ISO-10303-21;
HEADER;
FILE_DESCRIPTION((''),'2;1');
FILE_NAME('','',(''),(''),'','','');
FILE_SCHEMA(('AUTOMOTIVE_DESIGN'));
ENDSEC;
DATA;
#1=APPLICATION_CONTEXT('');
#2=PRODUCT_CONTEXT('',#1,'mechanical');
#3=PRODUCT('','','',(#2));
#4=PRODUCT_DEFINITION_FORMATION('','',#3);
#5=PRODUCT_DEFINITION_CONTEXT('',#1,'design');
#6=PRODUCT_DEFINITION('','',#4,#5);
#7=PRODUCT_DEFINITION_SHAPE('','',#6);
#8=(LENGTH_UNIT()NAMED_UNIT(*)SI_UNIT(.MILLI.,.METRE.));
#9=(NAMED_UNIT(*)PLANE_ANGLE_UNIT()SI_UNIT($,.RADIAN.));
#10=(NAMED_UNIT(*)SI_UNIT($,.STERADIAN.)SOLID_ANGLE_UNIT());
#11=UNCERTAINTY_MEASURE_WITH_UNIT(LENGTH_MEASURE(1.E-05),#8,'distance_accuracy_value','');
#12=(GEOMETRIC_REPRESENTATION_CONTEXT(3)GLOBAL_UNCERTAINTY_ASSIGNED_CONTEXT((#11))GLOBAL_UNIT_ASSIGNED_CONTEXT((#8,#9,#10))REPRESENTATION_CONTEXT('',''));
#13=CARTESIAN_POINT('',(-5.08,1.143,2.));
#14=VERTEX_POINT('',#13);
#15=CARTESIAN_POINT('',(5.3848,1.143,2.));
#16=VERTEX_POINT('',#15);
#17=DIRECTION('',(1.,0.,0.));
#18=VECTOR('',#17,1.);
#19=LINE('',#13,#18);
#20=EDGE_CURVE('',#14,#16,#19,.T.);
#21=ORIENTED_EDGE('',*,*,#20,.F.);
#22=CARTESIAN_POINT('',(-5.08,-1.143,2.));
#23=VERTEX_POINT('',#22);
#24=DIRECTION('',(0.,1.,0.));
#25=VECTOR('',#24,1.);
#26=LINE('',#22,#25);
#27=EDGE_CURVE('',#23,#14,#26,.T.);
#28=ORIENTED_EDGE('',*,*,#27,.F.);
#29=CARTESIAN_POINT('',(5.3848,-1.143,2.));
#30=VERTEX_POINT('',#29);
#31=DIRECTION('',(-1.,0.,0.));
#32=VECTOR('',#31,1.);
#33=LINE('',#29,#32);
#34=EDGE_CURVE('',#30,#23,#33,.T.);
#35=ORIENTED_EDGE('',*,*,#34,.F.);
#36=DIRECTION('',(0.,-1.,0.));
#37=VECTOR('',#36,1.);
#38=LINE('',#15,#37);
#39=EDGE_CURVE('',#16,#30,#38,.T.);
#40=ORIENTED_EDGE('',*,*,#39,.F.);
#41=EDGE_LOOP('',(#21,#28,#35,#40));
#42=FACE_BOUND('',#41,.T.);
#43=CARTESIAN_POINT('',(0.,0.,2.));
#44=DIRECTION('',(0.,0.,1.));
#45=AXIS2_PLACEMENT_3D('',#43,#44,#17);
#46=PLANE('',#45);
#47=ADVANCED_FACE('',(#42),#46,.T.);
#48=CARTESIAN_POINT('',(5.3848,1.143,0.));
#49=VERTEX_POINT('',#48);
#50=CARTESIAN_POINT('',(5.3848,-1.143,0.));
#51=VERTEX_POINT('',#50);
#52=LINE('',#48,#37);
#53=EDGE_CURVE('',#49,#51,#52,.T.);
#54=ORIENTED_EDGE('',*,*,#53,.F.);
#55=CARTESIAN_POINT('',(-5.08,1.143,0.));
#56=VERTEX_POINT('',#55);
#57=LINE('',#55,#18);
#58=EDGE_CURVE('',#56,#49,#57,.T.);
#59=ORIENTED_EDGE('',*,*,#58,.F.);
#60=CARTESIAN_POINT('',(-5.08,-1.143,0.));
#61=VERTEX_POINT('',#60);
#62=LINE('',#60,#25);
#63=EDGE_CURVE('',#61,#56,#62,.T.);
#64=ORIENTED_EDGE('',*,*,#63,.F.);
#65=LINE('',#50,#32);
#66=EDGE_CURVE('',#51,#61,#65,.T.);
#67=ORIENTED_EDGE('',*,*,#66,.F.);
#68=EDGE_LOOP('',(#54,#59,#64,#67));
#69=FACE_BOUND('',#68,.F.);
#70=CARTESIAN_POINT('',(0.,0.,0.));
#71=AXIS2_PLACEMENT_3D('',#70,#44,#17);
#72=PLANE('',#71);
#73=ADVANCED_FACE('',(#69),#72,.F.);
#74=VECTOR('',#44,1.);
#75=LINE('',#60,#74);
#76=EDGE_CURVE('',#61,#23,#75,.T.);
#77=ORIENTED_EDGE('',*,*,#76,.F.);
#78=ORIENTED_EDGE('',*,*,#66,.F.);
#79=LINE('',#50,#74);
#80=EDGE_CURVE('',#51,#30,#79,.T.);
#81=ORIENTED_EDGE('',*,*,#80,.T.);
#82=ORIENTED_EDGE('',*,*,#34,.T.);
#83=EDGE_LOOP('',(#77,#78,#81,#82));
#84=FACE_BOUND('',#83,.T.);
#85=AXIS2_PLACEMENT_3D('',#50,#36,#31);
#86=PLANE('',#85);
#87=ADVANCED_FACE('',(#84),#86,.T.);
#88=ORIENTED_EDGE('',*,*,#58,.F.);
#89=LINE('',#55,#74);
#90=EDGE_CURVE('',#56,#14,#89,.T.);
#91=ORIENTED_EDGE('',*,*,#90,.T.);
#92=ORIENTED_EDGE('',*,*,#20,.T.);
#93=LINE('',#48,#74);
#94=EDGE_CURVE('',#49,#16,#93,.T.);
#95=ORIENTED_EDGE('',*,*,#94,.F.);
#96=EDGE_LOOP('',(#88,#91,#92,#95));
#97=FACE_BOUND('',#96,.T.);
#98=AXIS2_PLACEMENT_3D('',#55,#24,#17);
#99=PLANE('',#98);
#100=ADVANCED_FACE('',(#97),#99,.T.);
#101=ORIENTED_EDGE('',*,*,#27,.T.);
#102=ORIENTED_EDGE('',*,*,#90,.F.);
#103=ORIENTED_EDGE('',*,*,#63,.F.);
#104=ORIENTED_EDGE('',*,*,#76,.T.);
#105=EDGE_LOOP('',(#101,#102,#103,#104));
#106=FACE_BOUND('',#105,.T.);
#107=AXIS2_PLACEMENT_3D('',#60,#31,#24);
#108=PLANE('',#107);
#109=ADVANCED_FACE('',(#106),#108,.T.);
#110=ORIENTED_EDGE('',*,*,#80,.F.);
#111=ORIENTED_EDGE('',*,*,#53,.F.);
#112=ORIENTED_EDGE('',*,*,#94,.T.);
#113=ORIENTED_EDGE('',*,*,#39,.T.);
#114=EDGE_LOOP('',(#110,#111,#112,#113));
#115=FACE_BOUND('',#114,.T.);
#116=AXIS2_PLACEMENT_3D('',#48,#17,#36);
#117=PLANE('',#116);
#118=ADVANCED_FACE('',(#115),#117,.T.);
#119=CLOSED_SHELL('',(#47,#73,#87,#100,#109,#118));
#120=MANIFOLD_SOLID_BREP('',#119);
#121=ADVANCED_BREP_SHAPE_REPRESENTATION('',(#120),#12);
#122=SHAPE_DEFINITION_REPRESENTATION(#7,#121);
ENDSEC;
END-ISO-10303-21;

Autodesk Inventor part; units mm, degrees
ref_plane "YZ Plane" through (0, 0, 0) normal (1, 0, 0) x (0, 1, 0)
ref_plane "XZ Plane" through (0, 0, 0) normal (0, 1, 0) x (-1, 0, 0)
ref_plane "XY Plane" through (0, 0, 0) normal (0, 0, 1) x (1, 0, 0)
sketch "0207_10, 0207_10_37" plane through (0, 0, 0) normal (0, 0, 1) x (1, 0, 0)
  line L0 (-5.08, 1.143) -> (5.3848, 1.143)
  line L1 (5.3848, 1.143) -> (5.3848, -1.143)
  line L2 (5.3848, -1.143) -> (-5.08, -1.143)
  line L3 (-5.08, -1.143) -> (-5.08, 1.143)
extrude "Extrusion1" add sketch "0207_10, 0207_10_37" along normal blind 2
properties part number "0207_10"
